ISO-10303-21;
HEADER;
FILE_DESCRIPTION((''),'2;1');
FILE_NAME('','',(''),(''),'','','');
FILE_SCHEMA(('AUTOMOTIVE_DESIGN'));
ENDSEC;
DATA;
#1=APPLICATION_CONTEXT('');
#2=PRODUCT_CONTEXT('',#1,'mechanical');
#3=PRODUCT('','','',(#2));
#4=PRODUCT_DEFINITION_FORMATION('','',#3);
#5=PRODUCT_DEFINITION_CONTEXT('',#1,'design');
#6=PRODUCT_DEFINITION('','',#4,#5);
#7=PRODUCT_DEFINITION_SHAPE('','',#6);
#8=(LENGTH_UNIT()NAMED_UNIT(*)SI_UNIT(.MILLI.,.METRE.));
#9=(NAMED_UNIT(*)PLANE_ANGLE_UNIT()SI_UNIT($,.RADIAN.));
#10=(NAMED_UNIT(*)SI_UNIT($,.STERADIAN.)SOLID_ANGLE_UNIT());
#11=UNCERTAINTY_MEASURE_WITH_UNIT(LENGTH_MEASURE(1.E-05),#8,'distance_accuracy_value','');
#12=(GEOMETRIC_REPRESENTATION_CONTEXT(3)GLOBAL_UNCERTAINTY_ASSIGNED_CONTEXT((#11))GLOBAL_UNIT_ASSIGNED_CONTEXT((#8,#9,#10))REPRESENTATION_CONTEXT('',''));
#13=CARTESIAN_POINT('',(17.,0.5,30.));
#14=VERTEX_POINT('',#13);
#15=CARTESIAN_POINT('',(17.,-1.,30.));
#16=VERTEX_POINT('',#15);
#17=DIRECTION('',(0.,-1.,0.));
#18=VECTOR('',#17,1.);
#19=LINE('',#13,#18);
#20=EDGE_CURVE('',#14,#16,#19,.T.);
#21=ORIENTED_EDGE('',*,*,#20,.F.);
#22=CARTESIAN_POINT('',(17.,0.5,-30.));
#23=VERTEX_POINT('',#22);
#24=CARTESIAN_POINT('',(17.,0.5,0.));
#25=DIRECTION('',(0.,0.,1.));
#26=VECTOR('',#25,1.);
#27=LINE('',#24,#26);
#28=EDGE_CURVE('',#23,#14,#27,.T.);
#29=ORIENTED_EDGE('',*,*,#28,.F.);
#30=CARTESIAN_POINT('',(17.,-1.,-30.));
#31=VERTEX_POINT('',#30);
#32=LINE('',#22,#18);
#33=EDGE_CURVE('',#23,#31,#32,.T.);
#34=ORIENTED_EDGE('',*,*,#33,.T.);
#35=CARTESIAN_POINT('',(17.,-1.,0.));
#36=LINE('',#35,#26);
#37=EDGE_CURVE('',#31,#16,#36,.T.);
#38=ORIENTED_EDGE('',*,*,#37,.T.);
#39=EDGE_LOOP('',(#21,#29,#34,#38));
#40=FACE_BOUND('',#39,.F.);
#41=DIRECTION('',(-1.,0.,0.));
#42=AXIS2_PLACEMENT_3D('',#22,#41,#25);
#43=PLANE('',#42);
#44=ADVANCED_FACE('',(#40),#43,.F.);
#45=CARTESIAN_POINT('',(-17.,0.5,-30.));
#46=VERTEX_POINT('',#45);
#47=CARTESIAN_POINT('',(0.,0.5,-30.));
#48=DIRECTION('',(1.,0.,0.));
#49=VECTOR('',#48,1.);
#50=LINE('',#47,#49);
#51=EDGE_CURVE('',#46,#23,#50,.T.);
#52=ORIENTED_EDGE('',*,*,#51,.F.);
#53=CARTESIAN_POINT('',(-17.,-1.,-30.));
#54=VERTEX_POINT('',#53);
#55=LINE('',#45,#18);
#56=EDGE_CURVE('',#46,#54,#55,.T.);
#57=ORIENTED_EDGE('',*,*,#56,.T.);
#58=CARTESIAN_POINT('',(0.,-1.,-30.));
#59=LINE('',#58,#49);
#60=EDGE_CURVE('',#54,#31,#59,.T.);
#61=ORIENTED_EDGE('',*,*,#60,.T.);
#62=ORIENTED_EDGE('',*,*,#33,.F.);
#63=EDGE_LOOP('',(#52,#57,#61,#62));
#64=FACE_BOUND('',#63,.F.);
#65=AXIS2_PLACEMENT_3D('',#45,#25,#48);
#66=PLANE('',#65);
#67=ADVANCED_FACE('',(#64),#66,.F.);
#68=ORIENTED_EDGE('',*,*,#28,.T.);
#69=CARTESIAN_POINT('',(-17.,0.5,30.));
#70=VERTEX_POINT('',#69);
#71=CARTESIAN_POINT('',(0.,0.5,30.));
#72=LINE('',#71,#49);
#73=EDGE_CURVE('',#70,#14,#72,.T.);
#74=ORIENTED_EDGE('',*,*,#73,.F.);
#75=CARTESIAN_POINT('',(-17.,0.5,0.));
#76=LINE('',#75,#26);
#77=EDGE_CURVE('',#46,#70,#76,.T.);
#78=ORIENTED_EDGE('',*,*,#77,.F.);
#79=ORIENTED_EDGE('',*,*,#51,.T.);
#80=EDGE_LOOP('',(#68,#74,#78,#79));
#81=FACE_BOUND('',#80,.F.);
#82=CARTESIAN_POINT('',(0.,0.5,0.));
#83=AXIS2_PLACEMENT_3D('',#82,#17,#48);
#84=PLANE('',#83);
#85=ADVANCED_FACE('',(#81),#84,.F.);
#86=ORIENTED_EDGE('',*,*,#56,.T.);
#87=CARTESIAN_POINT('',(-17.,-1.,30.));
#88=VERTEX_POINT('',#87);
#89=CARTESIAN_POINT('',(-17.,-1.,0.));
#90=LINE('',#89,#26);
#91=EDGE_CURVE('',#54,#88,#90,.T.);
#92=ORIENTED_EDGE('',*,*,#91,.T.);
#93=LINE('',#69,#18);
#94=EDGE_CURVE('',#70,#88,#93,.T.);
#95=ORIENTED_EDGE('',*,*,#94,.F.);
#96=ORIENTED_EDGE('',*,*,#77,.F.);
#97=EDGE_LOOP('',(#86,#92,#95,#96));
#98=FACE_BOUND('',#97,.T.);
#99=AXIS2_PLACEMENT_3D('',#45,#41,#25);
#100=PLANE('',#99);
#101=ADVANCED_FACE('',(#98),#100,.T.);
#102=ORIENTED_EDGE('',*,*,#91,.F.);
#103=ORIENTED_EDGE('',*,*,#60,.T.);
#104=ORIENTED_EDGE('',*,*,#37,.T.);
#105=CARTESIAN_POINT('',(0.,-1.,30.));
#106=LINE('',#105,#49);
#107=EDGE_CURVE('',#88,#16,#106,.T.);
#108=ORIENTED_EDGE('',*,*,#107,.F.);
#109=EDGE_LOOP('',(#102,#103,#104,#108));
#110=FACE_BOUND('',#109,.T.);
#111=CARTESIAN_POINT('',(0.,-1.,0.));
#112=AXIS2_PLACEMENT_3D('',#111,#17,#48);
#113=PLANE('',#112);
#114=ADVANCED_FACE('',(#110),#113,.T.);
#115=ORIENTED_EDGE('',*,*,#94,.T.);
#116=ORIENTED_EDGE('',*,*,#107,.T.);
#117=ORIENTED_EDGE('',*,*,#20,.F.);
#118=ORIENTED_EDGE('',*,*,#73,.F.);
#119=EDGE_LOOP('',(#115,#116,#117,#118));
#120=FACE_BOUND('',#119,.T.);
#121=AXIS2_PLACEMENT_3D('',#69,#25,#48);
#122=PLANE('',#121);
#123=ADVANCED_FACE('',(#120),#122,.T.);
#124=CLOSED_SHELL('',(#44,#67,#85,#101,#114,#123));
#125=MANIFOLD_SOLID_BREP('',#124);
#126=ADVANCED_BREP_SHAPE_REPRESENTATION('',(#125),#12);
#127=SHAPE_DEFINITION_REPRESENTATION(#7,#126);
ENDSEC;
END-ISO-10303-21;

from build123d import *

# Parameters (mm, degrees)
F0_W     = 34
F0_H     = 60
F1_DEPTH = 1.5


with BuildPart() as f1:
    # F0 (on Front) → F1 (new body)
    with BuildSketch(Plane.XZ):
        Rectangle(F0_W, F0_H)
    extrude(amount=F1_DEPTH)


with BuildPart() as f1_1:
    # F2: moved
    add(f1.part.moved(Location((0, 0.5, 0))))


solid = f1_1.part
